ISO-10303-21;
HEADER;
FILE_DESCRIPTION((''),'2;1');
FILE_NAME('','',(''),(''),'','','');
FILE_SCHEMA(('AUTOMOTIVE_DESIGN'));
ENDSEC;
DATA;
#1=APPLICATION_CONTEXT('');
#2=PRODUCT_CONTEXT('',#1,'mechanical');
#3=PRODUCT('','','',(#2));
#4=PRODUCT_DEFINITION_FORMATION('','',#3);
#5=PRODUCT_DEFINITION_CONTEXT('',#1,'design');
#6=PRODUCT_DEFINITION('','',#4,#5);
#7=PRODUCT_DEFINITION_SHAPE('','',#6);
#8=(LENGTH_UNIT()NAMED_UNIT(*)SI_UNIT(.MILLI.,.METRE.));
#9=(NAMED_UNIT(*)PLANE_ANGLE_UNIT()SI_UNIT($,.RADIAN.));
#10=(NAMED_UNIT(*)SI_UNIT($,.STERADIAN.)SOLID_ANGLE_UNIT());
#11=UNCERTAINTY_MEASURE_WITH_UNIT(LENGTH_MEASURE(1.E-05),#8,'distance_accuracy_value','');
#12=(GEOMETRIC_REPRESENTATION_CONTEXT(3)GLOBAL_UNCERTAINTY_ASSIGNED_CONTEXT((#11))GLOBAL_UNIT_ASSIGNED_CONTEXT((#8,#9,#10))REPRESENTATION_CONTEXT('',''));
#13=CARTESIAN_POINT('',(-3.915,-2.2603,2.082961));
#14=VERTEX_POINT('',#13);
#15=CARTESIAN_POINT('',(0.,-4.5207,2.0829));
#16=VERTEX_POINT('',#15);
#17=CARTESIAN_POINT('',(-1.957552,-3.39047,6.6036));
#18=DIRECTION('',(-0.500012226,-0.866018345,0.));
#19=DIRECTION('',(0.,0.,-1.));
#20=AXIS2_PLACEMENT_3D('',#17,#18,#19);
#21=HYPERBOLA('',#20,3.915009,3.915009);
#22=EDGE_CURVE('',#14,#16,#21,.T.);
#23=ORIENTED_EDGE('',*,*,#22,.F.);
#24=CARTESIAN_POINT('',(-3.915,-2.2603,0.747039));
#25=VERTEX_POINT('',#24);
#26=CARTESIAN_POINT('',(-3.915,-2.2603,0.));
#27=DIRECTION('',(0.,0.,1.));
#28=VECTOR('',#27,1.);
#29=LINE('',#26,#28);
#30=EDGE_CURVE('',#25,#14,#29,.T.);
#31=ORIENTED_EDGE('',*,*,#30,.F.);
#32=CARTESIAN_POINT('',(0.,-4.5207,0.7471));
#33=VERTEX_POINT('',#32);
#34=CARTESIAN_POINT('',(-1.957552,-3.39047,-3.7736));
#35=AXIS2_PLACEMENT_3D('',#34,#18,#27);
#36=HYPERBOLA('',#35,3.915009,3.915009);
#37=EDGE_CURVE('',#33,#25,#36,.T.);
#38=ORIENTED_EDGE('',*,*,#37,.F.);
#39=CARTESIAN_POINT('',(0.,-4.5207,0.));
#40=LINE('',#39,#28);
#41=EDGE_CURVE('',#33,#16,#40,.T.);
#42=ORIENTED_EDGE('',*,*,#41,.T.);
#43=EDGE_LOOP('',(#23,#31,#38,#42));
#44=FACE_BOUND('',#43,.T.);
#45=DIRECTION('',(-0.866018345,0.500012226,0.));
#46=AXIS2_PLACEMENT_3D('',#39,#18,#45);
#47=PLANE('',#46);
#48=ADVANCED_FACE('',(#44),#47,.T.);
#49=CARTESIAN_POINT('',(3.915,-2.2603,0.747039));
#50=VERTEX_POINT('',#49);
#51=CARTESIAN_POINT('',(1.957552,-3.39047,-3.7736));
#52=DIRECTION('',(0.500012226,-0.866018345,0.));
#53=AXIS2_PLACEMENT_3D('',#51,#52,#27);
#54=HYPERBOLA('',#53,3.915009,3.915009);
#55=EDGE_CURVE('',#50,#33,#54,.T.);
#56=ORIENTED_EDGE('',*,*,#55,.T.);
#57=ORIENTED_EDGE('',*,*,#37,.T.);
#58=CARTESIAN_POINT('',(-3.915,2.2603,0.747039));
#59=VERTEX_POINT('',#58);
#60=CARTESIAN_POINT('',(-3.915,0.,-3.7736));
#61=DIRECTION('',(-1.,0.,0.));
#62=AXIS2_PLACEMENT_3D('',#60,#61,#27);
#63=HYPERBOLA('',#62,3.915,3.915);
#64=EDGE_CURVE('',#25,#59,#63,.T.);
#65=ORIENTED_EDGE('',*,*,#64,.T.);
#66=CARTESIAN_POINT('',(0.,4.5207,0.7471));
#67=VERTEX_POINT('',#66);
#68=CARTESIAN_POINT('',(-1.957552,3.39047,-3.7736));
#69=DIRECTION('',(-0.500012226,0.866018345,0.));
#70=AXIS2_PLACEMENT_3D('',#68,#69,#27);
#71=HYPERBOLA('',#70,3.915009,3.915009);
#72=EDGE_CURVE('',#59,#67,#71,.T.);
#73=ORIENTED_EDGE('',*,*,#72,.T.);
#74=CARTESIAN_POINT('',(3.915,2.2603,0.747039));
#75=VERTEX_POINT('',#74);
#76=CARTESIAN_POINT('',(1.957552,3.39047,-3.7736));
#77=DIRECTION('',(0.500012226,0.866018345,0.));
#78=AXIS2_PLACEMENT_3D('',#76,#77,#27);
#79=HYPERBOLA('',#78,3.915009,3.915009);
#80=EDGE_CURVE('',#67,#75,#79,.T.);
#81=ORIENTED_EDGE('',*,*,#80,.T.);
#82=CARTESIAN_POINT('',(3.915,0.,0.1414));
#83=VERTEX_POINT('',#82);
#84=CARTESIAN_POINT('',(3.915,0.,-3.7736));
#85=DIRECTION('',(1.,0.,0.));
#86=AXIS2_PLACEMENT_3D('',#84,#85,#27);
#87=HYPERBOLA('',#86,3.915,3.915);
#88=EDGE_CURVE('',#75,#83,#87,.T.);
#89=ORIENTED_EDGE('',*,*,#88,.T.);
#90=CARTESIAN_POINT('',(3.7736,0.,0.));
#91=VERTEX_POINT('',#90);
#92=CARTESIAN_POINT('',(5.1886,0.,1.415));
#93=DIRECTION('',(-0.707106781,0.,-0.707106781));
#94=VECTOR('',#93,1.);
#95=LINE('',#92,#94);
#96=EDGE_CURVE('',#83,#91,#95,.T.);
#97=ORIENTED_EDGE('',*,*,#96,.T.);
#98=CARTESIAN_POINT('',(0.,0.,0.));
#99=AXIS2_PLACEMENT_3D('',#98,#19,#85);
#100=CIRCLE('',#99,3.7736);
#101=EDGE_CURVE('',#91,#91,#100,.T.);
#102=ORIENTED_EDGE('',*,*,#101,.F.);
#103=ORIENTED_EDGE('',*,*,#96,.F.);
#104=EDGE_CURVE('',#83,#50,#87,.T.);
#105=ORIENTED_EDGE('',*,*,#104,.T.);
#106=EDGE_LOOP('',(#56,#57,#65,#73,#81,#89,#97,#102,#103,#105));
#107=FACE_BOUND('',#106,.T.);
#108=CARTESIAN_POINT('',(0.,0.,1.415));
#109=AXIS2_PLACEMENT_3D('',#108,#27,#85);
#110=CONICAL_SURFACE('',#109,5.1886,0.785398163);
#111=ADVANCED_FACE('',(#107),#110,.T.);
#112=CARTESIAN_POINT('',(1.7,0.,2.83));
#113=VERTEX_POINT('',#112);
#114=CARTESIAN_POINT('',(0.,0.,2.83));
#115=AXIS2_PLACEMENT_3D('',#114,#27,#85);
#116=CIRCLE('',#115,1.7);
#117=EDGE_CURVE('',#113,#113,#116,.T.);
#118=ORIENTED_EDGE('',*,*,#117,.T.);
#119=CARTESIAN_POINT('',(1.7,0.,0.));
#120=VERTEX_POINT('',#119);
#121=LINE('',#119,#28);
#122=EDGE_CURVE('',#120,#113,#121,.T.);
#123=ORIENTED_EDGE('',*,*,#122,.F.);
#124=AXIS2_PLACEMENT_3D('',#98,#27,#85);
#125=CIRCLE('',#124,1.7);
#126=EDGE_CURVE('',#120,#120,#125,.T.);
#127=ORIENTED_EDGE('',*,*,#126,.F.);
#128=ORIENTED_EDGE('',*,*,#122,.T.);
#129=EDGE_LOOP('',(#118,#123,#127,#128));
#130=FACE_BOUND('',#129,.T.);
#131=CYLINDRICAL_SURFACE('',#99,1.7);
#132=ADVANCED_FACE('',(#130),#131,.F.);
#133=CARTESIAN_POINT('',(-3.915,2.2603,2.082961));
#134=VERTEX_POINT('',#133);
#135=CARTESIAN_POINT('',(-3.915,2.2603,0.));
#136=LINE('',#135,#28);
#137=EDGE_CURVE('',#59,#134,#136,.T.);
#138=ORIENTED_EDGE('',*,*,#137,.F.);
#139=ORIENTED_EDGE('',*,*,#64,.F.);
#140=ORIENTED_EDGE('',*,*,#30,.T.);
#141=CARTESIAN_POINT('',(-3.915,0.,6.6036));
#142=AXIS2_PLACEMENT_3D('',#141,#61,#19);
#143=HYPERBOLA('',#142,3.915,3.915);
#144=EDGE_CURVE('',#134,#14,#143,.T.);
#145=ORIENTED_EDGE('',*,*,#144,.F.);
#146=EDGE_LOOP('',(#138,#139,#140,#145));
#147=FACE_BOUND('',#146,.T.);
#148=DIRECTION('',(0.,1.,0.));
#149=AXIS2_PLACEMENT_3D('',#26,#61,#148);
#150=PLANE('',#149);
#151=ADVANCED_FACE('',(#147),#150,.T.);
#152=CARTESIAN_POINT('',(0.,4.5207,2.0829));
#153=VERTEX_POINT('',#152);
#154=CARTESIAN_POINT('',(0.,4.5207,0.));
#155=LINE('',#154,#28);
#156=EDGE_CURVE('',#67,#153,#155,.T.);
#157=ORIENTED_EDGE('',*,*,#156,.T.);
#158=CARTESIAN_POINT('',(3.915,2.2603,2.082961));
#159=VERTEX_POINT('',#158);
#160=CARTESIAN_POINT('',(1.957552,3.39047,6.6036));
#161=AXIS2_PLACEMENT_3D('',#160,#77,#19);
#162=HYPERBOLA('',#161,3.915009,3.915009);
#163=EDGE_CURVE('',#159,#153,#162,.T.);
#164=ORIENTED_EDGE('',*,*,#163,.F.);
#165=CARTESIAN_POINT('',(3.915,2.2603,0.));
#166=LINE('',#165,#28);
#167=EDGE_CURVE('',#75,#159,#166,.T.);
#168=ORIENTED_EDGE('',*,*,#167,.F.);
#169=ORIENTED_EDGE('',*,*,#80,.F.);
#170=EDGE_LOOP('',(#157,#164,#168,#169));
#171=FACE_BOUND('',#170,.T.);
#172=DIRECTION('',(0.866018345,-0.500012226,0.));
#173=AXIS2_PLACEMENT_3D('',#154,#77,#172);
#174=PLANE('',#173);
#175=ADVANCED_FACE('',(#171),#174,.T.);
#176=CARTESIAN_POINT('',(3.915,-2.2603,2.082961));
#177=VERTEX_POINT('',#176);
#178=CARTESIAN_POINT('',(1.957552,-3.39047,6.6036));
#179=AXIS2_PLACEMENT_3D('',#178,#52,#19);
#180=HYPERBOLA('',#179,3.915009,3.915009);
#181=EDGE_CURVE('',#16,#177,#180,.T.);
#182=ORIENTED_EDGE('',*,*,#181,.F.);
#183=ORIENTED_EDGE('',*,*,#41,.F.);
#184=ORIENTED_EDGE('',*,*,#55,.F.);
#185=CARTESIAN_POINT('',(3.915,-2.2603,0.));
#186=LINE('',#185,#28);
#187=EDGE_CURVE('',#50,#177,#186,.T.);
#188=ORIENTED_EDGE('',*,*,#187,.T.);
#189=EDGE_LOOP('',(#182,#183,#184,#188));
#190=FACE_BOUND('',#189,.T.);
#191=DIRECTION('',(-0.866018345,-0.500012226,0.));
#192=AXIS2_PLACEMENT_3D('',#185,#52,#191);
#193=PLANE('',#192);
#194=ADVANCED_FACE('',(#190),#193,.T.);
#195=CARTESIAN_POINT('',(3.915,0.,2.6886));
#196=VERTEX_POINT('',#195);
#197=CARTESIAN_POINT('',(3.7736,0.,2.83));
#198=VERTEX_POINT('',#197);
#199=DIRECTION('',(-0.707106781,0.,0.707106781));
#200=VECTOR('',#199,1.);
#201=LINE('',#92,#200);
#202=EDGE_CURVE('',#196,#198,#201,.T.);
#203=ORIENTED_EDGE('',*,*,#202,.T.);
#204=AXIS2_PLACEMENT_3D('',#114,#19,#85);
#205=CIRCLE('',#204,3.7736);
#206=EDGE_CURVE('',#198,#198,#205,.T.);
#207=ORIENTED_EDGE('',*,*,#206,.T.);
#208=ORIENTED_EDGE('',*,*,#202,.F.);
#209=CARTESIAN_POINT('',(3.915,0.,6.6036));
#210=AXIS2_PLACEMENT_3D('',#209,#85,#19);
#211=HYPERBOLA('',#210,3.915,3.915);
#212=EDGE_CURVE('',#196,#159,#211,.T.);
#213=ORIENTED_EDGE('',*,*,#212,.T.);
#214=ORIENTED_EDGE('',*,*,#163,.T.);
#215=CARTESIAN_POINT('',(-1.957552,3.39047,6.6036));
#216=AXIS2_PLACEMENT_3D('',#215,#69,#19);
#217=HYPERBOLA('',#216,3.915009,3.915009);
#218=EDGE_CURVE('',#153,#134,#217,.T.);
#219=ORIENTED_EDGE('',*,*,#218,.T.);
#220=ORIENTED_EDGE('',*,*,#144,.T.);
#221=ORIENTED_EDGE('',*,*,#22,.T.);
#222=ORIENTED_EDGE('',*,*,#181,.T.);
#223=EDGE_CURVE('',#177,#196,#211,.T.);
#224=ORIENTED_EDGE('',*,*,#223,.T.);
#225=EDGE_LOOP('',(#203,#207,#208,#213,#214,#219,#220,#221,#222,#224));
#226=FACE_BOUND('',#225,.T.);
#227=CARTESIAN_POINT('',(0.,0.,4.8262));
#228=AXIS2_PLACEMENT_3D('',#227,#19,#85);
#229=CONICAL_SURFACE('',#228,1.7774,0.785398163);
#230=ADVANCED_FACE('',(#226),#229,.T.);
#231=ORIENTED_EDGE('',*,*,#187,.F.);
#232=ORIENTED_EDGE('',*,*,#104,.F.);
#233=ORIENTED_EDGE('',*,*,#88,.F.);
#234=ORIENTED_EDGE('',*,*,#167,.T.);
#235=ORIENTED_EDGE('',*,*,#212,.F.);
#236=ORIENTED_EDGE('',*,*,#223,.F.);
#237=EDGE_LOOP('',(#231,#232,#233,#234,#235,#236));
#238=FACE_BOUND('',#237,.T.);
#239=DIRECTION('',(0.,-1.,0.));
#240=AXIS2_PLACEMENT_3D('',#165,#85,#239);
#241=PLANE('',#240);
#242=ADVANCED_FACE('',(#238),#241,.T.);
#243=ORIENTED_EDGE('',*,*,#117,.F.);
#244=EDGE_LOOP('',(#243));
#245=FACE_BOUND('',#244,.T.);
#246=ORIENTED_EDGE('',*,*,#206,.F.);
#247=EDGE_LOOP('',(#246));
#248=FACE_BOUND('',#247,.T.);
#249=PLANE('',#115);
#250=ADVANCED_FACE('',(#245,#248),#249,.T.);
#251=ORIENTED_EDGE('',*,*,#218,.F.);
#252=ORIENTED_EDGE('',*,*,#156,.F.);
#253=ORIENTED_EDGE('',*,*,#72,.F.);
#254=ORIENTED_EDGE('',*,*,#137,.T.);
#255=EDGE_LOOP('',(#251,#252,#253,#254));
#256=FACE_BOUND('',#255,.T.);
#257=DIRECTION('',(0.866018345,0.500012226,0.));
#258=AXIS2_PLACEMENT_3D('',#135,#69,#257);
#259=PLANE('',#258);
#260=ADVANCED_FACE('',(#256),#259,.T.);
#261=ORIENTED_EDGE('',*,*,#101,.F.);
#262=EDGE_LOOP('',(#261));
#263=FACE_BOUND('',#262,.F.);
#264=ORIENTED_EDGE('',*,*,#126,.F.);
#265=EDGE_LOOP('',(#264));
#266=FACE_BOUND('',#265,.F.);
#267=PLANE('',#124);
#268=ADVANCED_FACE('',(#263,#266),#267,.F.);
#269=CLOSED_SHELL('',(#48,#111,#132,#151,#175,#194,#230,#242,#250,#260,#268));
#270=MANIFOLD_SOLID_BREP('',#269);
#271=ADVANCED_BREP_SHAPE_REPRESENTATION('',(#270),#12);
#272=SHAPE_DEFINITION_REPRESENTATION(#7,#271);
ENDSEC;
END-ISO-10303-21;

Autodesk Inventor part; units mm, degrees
ref_plane "YZ Plane" through (0, 0, 0) normal (1, 0, 0) x (0, 1, 0)
ref_plane "XZ Plane" through (0, 0, 0) normal (0, 1, 0) x (-1, 0, 0)
sketch "Sketch1" plane through (0, 0, 0) normal (0, 0, 1) x (1, 0, 0)
  circle A0 centre (0, 0) radius 1.7
  line L0 (0, 4.5207) -> (3.915, 2.2603)
  line L1 (3.915, 2.2603) -> (3.915, -2.2603)
  line L2 (3.915, -2.2603) -> (0, -4.5207)
  line L3 (0, -4.5207) -> (-3.915, -2.2603)
  line L4 (-3.915, -2.2603) -> (-3.915, 2.2603)
  line L5 (-3.915, 2.2603) -> (0, 4.5207)
  dimension "d0" = 3.4
  dimension "d1" = 7.83
extrude "Extrusion1" add sketch "Sketch1" along normal blind 2.83
ref_plane "Work Plane1" through (7.83, 0, 0) normal (0, -1, 0) x (0, 0, -1)
sketch "Sketch2" plane through (7.83, 0, 0) normal (0, -1, 0) x (0, 0, -1)
  line L0 (-4.8262, -6.0526) -> (-1.415, -2.6414)
  line L1 (-1.415, -2.6414) -> (1.5665, -5.6229)
  line L2 (1.5665, -5.6229) -> (3.8499, -3.3395)
  line L3 (3.8499, -3.3395) -> (-1.9469, 2.4574)
  line L4 (-1.9469, 2.4574) -> (-7.6415, -3.2372)
  line L5 (-7.6415, -3.2372) -> (-4.8262, -6.0526)
  line L6 (-2.83, -3.915) -> (-2.83, -7.83) projected
  line L7 (0, -3.915) -> (-2.83, -3.915) projected
  line L8 (0, -7.83) -> (0, -3.915) projected
  line L9 (-2.83, -7.83) -> (0, -7.83)
  line L10 (0, -7.83) -> (-2.83, -7.83) projected
  dimension "d4" = 45
  dimension "d5" = 0.1
  dimension "d6" = 0.1
revolve "Revolution1" cut sketch "Sketch2" angle 360 about axis through (0, 0, 2.83) along (0, 0, -1) contours L5 L4 L3 L2 L1 L8 L7 L0 L6 | L6 L7 L0 | L7 L8 L1
thread "Thread1" size "M3.5x0.6" class "6H" standard "ANSI Metric M Profile" full length
properties part number "6-32_Nut"
